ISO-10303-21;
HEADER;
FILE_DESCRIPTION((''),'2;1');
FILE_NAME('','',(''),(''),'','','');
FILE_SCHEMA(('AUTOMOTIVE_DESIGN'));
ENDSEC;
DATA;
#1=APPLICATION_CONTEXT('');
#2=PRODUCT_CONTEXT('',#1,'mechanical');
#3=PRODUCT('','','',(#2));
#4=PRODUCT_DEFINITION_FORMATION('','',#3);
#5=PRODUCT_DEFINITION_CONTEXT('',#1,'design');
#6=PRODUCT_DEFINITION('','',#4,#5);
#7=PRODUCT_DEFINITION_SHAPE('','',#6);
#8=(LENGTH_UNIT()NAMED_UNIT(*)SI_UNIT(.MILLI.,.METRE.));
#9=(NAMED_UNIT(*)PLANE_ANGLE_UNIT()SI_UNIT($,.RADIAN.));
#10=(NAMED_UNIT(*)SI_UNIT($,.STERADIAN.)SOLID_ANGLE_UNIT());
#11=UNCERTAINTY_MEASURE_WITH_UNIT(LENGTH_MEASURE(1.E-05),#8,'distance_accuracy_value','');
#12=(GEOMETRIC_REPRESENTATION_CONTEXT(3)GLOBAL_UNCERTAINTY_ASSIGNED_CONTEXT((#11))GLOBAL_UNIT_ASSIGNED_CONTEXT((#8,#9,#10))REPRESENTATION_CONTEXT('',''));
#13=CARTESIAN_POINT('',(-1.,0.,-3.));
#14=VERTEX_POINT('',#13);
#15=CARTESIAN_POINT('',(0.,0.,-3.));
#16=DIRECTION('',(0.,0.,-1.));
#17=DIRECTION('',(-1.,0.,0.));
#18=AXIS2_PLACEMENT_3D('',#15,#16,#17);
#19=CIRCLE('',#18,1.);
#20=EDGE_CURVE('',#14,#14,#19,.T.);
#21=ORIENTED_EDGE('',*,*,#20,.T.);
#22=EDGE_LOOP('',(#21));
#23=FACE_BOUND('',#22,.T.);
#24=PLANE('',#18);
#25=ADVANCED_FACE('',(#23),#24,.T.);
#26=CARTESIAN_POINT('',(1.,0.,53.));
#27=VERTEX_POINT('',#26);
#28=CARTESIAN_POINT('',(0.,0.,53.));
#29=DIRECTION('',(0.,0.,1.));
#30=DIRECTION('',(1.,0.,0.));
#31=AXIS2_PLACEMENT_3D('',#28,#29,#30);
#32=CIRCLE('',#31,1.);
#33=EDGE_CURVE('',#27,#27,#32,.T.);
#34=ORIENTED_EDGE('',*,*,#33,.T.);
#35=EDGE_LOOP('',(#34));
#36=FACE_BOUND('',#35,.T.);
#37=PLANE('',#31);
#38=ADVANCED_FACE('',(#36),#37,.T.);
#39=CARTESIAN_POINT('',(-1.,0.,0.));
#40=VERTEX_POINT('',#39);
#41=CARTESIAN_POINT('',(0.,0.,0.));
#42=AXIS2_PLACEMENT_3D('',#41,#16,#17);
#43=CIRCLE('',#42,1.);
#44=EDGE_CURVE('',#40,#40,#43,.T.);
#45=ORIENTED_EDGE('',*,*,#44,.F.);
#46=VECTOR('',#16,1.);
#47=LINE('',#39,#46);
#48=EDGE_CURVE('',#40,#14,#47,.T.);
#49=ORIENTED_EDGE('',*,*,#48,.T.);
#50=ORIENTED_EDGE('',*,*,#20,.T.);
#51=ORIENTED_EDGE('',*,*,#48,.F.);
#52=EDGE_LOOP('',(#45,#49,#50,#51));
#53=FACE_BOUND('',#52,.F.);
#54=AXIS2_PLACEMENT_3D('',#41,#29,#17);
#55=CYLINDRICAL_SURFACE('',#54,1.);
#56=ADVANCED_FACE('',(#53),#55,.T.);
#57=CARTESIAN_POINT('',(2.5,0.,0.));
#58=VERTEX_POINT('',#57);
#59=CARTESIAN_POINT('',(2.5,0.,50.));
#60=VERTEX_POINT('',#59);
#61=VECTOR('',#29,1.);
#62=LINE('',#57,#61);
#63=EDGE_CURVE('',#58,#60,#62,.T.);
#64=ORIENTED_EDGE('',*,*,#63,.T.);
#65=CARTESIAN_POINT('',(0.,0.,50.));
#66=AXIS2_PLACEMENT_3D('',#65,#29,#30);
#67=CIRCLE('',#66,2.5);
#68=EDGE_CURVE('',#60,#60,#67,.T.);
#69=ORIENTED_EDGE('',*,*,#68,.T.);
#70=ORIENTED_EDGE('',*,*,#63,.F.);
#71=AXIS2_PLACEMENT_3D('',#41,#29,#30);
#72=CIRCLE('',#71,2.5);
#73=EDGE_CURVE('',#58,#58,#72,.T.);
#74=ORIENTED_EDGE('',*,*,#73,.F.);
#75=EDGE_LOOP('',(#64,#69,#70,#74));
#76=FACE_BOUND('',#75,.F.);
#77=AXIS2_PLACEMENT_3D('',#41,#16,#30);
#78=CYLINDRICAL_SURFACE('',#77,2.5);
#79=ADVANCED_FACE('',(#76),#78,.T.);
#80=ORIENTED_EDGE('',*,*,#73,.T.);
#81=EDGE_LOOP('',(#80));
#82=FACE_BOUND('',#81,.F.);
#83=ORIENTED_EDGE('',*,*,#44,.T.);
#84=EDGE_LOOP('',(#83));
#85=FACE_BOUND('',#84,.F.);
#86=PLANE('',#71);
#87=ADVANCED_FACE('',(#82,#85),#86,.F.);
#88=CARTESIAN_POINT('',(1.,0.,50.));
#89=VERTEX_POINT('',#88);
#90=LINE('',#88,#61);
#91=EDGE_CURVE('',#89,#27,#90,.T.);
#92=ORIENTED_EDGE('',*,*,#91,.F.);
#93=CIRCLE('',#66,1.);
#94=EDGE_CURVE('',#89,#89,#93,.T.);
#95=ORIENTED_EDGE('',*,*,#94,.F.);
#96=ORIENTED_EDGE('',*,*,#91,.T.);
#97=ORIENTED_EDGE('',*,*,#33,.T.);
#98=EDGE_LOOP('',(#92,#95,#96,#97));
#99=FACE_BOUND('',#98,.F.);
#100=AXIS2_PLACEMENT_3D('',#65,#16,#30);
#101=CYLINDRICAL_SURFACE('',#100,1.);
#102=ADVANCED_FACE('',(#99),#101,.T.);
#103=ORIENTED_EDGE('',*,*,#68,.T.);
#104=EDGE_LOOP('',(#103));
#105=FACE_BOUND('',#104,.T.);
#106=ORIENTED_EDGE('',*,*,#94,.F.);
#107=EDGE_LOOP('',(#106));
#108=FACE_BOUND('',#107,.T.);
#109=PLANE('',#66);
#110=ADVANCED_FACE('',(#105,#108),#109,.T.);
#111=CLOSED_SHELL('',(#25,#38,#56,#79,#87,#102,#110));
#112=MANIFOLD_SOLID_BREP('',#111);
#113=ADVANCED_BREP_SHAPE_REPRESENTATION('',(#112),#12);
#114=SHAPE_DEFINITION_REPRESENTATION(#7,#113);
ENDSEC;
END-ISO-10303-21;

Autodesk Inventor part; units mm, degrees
ref_plane "YZ Plane" through (0, 0, 0) normal (1, 0, 0) x (0, 1, 0)
ref_plane "XZ Plane" through (0, 0, 0) normal (0, 1, 0) x (-1, 0, 0)
ref_plane "XY Plane" through (0, 0, 0) normal (0, 0, 1) x (1, 0, 0)
sketch "Sketch1" plane through (0, 0, 0) normal (0, 0, 1) x (1, 0, 0)
  circle A0 centre (0, 0) radius 2.5
  dimension "d0" = 5
extrude "Extrusion1" add sketch "Sketch1" along normal blind 50
sketch "Sketch2" plane through (0, 0, 50) normal (0, 0, 1) x (1, 0, 0)
  circle A0 centre (0, 0) radius 2.5 projected
  circle A1 centre (0, 0) radius 1
  dimension "d3" = 2
extrude "Extrusion2" add sketch "Sketch2" along normal blind 3 contours A1
sketch "Sketch3" plane through (0, 0, 0) normal (0, 0, -1) x (-1, 0, 0)
  circle A0 centre (0, 0) radius 1
  dimension "d6" = 2
extrude "Extrusion3" add sketch "Sketch3" along normal blind 3
properties part number "Bone-5cm"
